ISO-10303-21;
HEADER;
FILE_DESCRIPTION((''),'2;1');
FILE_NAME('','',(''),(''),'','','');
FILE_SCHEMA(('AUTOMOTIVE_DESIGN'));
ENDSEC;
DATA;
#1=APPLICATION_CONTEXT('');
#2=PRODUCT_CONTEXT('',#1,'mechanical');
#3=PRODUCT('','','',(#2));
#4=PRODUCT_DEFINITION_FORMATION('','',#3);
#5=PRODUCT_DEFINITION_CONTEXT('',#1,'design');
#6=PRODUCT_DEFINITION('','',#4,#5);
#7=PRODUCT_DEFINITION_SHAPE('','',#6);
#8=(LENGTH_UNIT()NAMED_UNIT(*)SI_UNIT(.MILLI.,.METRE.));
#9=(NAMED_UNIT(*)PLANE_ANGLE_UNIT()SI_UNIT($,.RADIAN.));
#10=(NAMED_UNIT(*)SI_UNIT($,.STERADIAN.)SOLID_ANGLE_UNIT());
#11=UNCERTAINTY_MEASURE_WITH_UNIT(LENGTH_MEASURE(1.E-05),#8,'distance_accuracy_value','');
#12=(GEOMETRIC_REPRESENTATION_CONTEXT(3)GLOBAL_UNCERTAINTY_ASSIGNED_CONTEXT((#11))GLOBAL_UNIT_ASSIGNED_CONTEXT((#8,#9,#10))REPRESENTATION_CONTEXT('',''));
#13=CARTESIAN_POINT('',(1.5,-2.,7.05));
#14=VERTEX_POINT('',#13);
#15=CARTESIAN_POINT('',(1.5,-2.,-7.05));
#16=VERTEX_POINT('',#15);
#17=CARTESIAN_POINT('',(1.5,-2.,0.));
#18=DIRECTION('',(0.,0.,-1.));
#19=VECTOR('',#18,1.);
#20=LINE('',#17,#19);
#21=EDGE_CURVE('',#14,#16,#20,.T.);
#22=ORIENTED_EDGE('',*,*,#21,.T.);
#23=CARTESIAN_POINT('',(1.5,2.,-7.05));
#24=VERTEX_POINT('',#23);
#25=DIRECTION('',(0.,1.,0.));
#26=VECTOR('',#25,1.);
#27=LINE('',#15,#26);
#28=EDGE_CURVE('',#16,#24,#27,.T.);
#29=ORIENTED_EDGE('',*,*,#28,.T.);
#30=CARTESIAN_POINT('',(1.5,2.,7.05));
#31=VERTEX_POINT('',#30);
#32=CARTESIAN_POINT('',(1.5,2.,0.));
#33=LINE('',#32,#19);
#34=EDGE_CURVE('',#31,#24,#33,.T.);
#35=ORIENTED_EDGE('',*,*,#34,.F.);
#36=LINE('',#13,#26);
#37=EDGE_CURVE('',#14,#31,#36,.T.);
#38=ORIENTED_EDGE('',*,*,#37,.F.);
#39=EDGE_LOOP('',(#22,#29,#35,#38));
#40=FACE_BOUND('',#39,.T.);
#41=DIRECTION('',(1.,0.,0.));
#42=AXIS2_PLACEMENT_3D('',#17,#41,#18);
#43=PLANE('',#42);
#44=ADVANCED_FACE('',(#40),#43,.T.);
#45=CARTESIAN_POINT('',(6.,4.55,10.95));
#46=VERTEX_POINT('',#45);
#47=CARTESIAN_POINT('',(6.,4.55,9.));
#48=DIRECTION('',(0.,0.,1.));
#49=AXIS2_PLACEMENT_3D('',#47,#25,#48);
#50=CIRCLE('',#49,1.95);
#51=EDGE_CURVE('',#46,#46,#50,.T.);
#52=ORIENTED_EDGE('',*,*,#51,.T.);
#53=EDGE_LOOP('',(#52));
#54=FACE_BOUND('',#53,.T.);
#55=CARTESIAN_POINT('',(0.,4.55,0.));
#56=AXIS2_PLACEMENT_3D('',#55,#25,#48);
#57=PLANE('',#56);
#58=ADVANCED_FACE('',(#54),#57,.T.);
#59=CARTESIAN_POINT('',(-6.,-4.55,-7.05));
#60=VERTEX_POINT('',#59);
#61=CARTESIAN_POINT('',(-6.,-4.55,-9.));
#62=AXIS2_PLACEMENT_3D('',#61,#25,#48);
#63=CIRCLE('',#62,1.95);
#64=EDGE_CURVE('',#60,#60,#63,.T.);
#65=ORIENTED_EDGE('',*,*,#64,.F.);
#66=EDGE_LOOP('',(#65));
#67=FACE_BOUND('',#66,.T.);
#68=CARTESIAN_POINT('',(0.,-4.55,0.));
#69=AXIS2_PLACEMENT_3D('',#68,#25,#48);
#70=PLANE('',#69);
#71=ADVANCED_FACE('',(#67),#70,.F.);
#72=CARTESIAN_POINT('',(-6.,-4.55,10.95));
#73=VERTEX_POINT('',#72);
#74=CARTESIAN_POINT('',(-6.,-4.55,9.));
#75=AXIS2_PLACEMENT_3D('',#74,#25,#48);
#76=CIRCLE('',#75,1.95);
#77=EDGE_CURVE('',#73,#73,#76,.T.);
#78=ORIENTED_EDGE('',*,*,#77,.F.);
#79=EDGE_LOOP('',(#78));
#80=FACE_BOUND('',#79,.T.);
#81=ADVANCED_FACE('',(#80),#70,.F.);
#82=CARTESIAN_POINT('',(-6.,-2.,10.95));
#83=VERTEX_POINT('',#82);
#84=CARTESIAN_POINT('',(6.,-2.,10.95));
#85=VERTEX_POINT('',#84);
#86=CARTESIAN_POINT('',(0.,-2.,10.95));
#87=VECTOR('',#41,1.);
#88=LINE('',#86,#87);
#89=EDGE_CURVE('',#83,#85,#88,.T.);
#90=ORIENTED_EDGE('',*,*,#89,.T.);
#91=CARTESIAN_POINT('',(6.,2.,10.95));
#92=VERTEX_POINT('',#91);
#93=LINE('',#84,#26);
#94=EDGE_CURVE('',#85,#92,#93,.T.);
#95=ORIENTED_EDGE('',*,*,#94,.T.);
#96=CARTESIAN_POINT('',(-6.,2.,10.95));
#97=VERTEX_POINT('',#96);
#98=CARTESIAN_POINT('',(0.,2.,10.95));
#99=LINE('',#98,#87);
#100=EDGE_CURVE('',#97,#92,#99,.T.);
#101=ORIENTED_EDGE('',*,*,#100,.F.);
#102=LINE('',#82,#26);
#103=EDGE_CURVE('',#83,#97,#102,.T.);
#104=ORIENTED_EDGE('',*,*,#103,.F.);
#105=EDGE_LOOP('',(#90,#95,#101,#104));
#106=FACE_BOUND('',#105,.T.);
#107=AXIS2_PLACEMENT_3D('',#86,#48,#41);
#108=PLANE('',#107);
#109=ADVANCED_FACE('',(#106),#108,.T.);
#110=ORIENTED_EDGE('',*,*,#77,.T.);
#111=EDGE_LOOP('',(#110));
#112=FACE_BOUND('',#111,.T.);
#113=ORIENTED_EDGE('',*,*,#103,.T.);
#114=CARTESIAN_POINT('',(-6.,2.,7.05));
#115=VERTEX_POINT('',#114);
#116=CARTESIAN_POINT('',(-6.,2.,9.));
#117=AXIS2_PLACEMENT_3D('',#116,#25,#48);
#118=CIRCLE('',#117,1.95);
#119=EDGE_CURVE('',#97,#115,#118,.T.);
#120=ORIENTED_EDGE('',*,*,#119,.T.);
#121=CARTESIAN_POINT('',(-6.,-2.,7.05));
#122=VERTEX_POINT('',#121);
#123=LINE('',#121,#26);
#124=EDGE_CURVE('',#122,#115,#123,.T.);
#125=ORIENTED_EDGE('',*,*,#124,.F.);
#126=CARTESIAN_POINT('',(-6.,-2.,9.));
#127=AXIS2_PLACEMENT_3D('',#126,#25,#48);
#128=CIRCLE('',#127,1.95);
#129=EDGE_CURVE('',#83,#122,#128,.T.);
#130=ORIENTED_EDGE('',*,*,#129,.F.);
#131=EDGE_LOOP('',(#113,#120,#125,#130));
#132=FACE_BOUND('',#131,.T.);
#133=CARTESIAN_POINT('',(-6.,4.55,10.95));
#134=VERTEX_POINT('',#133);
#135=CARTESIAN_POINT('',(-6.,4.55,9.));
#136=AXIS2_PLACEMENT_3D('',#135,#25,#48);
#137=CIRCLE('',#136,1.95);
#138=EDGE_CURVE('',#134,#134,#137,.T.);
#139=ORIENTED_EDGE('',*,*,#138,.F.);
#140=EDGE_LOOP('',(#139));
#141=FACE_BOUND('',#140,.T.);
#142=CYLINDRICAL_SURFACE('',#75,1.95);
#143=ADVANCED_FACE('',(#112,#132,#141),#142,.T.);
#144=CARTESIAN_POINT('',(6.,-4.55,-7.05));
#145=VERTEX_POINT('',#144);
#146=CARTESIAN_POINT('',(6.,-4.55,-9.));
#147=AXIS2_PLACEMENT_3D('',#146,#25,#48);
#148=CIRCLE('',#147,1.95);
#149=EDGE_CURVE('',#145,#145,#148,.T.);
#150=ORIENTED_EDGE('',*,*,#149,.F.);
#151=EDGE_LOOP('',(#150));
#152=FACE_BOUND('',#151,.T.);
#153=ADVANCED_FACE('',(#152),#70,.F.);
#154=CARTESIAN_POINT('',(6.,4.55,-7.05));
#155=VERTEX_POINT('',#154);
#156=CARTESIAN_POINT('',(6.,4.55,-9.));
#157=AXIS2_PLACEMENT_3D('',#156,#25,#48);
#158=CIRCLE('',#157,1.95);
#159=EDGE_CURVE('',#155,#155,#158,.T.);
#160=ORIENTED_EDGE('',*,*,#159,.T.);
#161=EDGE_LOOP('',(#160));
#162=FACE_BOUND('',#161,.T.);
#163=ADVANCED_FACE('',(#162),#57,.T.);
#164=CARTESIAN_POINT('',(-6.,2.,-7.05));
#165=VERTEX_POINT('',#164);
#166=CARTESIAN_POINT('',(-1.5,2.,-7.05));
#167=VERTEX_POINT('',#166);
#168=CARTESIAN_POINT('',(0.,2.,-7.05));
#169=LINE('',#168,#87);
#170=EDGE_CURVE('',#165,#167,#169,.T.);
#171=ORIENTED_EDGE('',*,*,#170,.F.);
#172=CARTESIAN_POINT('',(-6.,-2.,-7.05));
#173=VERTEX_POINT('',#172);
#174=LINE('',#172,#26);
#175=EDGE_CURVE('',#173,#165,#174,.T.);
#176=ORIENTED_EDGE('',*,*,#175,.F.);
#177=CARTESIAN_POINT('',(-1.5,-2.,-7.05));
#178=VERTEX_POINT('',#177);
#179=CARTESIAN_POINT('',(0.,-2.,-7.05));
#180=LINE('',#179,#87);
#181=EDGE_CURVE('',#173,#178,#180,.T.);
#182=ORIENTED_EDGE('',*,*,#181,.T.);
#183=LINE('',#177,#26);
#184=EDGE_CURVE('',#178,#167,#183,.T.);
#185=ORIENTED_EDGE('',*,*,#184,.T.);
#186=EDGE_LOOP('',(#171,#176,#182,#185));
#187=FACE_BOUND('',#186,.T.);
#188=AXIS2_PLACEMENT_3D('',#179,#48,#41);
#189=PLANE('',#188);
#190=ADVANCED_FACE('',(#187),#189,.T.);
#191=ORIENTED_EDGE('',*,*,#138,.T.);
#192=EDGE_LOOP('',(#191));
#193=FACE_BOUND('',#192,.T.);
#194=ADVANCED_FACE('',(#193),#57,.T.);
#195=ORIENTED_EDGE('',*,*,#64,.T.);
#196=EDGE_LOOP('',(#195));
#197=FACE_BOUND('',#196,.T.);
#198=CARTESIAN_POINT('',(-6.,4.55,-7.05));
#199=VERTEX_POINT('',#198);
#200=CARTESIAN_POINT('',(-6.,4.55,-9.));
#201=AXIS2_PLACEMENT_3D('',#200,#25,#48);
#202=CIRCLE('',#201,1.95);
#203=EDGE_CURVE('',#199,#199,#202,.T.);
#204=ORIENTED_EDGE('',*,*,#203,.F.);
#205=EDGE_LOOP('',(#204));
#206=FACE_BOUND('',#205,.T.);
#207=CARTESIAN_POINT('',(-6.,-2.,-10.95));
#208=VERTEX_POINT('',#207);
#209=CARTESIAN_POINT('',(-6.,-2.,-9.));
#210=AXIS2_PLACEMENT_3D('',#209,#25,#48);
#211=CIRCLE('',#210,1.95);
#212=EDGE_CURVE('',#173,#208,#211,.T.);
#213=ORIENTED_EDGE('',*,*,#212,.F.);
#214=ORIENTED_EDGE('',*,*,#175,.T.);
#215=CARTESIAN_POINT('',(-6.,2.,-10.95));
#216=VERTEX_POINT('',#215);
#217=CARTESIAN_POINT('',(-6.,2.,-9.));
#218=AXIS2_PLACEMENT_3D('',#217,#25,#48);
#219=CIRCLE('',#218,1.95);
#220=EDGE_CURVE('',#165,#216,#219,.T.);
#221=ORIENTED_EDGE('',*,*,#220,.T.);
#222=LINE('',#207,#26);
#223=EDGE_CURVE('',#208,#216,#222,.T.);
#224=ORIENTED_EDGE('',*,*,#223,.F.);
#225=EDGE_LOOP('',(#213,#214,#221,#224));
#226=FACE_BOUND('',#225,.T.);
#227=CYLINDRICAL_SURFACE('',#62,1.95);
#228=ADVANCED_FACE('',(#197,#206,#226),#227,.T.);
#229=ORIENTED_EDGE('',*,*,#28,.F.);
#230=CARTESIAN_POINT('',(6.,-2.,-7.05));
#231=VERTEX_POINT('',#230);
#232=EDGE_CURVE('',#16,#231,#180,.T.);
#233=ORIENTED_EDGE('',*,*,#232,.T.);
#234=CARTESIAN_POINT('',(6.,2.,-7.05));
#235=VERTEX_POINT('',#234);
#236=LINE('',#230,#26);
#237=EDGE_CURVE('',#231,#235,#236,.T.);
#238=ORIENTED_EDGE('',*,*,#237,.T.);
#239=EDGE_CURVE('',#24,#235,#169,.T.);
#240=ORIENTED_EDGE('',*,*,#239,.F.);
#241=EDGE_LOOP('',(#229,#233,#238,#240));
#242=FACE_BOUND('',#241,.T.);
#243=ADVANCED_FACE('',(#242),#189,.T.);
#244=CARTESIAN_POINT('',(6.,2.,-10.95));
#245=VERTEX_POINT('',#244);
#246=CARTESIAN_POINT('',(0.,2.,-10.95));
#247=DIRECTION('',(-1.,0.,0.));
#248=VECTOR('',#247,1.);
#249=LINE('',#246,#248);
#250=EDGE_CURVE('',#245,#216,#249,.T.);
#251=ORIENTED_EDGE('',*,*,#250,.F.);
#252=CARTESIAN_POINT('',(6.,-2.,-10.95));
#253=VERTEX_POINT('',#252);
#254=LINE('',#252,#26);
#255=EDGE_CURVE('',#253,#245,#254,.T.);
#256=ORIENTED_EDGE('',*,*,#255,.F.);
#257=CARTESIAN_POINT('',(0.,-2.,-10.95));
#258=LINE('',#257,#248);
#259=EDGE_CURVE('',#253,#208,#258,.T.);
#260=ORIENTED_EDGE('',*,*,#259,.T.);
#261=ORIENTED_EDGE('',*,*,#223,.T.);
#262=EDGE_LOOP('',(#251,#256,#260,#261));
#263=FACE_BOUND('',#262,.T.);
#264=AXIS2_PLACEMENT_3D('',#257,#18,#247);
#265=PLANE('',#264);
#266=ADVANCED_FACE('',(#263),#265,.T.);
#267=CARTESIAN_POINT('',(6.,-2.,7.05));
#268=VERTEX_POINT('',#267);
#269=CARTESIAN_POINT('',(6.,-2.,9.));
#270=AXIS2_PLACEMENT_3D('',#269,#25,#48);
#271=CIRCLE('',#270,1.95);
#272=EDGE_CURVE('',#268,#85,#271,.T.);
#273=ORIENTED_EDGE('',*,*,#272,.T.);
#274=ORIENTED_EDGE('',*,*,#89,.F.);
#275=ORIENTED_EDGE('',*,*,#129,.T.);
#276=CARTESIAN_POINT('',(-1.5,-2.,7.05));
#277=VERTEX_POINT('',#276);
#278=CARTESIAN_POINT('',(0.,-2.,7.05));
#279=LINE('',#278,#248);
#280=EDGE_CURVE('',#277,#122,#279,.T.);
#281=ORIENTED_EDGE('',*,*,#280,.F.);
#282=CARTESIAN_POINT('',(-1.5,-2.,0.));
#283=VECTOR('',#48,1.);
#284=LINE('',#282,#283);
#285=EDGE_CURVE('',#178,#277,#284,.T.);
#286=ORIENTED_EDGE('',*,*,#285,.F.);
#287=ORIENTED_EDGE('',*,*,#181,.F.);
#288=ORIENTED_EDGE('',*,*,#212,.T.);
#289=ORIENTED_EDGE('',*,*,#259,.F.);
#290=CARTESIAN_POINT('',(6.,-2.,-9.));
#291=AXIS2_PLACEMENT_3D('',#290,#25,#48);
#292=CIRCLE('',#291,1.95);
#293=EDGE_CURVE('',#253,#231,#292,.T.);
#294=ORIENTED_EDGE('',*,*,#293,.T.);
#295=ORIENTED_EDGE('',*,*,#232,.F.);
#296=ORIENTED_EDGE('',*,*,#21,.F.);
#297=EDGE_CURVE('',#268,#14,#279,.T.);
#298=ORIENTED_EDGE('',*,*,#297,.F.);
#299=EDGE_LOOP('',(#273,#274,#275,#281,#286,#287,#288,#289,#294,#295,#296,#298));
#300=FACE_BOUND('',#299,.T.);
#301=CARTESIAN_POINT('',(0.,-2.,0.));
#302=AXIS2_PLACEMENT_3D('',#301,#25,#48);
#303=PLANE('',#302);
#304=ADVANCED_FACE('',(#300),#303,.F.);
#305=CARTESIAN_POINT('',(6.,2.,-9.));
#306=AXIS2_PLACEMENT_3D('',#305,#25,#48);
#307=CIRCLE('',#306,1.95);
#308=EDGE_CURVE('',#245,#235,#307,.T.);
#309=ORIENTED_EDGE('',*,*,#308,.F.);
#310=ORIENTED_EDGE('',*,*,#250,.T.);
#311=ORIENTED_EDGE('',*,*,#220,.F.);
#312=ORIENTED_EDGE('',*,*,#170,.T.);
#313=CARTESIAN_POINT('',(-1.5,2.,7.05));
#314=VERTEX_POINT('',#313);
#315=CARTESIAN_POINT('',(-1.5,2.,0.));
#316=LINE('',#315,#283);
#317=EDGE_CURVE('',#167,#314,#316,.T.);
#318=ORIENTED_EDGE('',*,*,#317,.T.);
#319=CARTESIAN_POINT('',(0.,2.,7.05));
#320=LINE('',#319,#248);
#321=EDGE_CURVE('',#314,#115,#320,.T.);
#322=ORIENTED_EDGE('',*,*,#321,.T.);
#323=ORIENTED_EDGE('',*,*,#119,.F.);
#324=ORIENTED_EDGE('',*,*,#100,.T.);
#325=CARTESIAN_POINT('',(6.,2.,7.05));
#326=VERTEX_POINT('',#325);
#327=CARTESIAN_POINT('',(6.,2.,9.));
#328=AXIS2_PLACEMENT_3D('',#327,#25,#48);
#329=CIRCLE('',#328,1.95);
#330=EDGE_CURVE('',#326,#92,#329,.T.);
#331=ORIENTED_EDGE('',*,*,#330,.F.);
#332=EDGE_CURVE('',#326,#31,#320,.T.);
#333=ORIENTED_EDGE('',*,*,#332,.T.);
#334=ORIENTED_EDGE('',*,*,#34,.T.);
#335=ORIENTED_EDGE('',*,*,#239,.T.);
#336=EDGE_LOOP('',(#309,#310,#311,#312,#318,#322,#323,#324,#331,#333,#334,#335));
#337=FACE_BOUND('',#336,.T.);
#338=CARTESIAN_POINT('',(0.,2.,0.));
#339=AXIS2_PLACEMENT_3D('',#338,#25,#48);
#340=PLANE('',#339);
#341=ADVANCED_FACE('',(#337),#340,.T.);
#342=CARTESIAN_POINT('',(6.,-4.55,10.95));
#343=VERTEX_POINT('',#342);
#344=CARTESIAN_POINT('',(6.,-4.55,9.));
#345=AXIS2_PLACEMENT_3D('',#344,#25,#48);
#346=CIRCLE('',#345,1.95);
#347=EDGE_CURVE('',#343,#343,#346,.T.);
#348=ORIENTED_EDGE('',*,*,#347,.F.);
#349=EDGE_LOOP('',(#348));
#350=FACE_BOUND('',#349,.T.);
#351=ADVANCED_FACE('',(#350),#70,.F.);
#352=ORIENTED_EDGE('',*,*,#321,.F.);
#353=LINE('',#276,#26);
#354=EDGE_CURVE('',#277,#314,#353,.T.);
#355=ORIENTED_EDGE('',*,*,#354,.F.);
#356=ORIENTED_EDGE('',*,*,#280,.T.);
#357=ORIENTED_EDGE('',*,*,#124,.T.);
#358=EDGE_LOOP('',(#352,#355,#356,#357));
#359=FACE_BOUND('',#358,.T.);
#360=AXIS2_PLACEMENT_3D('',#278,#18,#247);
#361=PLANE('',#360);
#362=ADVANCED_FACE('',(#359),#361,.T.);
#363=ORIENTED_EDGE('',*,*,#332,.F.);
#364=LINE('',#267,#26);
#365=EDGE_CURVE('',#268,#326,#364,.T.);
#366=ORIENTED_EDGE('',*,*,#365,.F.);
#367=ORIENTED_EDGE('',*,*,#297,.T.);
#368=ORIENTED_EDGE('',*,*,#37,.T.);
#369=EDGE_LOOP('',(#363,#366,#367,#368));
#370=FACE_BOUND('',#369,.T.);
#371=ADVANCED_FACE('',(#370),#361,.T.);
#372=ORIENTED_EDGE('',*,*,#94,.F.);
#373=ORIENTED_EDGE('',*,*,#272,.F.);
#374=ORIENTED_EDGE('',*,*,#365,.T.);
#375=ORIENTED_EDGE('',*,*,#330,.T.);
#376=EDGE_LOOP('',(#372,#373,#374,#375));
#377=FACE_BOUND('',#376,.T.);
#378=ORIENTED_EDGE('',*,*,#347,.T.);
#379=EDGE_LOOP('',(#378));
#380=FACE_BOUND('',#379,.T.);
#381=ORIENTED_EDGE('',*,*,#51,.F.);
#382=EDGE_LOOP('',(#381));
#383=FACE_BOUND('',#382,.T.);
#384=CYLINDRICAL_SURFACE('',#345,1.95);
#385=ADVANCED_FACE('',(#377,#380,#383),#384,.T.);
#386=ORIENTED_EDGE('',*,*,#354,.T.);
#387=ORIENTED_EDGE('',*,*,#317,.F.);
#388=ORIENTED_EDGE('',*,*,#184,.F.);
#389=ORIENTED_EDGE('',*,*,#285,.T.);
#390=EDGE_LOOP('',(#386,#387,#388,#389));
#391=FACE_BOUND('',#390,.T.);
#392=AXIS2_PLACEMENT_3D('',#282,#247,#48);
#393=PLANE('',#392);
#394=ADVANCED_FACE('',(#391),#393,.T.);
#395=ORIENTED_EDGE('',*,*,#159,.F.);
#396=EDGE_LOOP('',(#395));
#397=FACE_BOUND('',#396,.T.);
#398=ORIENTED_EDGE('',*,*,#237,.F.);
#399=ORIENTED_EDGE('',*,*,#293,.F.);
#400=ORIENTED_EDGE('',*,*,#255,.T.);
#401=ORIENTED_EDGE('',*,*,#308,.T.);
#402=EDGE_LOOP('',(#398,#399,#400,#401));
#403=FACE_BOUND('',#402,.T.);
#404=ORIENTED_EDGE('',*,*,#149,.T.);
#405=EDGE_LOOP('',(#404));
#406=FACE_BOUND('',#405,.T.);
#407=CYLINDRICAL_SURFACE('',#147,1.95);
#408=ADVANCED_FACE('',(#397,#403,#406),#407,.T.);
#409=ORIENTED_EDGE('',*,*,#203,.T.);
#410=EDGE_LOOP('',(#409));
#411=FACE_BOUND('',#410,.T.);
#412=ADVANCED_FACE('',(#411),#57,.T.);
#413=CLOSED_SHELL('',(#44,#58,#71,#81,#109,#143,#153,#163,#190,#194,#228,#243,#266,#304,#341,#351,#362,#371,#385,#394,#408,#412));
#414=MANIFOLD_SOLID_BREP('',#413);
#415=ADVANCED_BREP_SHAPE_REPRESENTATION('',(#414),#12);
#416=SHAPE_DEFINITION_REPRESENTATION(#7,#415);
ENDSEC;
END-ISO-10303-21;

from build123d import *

# Parameters (mm, degrees)
BOSS_EXTRUDE1_DEPTH      = 2
BOSS_EXTRUDE1_DEPTH_BACK = 2
BOSS_EXTRUDE2_DEPTH      = 4.55
BOSS_EXTRUDE2_DEPTH_BACK = 4.55
SKETCH1_4_R              = 1.95


with BuildPart() as part:
    # Sketch1 → Boss-Extrude1 (new, two sides: drawn at the far end of the back side and taken through both)
    with BuildSketch(Plane(origin=(0, 0, 0), x_dir=(1, 0, 0), z_dir=(0, 1, 0)).offset(-BOSS_EXTRUDE1_DEPTH_BACK)):
        with BuildLine():
            ThreePointArc((-4.05, -9), (-4.621141777, -10.378858223), (-6, -10.95))
            Line((-6, -10.95), (6, -10.95))
            ThreePointArc((6, -10.95), (4.05, -9), (6, -7.05))
            Line((6, -7.05), (1.5, -7.05))
            Line((1.5, -7.05), (1.5, 7.05))
            Line((1.5, 7.05), (6, 7.05))
            ThreePointArc((6, 7.05), (4.05, 9), (6, 10.95))
            Line((6, 10.95), (-6, 10.95))
            ThreePointArc((-6, 10.95), (-4.621141777, 10.378858223), (-4.05, 9))
            ThreePointArc((-4.05, 9), (-4.621141777, 7.621141777), (-6, 7.05))
            Line((-6, 7.05), (-1.5, 7.05))
            Line((-1.5, 7.05), (-1.5, -7.05))
            Line((-1.5, -7.05), (-6, -7.05))
            ThreePointArc((-6, -7.05), (-4.621141777, -7.621141777), (-4.05, -9))
        make_face()
    extrude(amount=BOSS_EXTRUDE1_DEPTH + BOSS_EXTRUDE1_DEPTH_BACK)

    # Sketch1<4> → Boss-Extrude2 (add, two sides: drawn at the far end of the back side and taken through both)
    with BuildSketch(Plane(origin=(0, 0, 0), x_dir=(1, 0, 0), z_dir=(0, 1, 0)).offset(-BOSS_EXTRUDE2_DEPTH_BACK)):
        with Locations((-6, -9)):
            Circle(SKETCH1_4_R)
        with Locations((6, -9)):
            Circle(SKETCH1_4_R)
        with Locations((-6, 9)):
            Circle(SKETCH1_4_R)
        with Locations((6, 9)):
            Circle(SKETCH1_4_R)
    extrude(amount=BOSS_EXTRUDE2_DEPTH + BOSS_EXTRUDE2_DEPTH_BACK)


solid = part.part
